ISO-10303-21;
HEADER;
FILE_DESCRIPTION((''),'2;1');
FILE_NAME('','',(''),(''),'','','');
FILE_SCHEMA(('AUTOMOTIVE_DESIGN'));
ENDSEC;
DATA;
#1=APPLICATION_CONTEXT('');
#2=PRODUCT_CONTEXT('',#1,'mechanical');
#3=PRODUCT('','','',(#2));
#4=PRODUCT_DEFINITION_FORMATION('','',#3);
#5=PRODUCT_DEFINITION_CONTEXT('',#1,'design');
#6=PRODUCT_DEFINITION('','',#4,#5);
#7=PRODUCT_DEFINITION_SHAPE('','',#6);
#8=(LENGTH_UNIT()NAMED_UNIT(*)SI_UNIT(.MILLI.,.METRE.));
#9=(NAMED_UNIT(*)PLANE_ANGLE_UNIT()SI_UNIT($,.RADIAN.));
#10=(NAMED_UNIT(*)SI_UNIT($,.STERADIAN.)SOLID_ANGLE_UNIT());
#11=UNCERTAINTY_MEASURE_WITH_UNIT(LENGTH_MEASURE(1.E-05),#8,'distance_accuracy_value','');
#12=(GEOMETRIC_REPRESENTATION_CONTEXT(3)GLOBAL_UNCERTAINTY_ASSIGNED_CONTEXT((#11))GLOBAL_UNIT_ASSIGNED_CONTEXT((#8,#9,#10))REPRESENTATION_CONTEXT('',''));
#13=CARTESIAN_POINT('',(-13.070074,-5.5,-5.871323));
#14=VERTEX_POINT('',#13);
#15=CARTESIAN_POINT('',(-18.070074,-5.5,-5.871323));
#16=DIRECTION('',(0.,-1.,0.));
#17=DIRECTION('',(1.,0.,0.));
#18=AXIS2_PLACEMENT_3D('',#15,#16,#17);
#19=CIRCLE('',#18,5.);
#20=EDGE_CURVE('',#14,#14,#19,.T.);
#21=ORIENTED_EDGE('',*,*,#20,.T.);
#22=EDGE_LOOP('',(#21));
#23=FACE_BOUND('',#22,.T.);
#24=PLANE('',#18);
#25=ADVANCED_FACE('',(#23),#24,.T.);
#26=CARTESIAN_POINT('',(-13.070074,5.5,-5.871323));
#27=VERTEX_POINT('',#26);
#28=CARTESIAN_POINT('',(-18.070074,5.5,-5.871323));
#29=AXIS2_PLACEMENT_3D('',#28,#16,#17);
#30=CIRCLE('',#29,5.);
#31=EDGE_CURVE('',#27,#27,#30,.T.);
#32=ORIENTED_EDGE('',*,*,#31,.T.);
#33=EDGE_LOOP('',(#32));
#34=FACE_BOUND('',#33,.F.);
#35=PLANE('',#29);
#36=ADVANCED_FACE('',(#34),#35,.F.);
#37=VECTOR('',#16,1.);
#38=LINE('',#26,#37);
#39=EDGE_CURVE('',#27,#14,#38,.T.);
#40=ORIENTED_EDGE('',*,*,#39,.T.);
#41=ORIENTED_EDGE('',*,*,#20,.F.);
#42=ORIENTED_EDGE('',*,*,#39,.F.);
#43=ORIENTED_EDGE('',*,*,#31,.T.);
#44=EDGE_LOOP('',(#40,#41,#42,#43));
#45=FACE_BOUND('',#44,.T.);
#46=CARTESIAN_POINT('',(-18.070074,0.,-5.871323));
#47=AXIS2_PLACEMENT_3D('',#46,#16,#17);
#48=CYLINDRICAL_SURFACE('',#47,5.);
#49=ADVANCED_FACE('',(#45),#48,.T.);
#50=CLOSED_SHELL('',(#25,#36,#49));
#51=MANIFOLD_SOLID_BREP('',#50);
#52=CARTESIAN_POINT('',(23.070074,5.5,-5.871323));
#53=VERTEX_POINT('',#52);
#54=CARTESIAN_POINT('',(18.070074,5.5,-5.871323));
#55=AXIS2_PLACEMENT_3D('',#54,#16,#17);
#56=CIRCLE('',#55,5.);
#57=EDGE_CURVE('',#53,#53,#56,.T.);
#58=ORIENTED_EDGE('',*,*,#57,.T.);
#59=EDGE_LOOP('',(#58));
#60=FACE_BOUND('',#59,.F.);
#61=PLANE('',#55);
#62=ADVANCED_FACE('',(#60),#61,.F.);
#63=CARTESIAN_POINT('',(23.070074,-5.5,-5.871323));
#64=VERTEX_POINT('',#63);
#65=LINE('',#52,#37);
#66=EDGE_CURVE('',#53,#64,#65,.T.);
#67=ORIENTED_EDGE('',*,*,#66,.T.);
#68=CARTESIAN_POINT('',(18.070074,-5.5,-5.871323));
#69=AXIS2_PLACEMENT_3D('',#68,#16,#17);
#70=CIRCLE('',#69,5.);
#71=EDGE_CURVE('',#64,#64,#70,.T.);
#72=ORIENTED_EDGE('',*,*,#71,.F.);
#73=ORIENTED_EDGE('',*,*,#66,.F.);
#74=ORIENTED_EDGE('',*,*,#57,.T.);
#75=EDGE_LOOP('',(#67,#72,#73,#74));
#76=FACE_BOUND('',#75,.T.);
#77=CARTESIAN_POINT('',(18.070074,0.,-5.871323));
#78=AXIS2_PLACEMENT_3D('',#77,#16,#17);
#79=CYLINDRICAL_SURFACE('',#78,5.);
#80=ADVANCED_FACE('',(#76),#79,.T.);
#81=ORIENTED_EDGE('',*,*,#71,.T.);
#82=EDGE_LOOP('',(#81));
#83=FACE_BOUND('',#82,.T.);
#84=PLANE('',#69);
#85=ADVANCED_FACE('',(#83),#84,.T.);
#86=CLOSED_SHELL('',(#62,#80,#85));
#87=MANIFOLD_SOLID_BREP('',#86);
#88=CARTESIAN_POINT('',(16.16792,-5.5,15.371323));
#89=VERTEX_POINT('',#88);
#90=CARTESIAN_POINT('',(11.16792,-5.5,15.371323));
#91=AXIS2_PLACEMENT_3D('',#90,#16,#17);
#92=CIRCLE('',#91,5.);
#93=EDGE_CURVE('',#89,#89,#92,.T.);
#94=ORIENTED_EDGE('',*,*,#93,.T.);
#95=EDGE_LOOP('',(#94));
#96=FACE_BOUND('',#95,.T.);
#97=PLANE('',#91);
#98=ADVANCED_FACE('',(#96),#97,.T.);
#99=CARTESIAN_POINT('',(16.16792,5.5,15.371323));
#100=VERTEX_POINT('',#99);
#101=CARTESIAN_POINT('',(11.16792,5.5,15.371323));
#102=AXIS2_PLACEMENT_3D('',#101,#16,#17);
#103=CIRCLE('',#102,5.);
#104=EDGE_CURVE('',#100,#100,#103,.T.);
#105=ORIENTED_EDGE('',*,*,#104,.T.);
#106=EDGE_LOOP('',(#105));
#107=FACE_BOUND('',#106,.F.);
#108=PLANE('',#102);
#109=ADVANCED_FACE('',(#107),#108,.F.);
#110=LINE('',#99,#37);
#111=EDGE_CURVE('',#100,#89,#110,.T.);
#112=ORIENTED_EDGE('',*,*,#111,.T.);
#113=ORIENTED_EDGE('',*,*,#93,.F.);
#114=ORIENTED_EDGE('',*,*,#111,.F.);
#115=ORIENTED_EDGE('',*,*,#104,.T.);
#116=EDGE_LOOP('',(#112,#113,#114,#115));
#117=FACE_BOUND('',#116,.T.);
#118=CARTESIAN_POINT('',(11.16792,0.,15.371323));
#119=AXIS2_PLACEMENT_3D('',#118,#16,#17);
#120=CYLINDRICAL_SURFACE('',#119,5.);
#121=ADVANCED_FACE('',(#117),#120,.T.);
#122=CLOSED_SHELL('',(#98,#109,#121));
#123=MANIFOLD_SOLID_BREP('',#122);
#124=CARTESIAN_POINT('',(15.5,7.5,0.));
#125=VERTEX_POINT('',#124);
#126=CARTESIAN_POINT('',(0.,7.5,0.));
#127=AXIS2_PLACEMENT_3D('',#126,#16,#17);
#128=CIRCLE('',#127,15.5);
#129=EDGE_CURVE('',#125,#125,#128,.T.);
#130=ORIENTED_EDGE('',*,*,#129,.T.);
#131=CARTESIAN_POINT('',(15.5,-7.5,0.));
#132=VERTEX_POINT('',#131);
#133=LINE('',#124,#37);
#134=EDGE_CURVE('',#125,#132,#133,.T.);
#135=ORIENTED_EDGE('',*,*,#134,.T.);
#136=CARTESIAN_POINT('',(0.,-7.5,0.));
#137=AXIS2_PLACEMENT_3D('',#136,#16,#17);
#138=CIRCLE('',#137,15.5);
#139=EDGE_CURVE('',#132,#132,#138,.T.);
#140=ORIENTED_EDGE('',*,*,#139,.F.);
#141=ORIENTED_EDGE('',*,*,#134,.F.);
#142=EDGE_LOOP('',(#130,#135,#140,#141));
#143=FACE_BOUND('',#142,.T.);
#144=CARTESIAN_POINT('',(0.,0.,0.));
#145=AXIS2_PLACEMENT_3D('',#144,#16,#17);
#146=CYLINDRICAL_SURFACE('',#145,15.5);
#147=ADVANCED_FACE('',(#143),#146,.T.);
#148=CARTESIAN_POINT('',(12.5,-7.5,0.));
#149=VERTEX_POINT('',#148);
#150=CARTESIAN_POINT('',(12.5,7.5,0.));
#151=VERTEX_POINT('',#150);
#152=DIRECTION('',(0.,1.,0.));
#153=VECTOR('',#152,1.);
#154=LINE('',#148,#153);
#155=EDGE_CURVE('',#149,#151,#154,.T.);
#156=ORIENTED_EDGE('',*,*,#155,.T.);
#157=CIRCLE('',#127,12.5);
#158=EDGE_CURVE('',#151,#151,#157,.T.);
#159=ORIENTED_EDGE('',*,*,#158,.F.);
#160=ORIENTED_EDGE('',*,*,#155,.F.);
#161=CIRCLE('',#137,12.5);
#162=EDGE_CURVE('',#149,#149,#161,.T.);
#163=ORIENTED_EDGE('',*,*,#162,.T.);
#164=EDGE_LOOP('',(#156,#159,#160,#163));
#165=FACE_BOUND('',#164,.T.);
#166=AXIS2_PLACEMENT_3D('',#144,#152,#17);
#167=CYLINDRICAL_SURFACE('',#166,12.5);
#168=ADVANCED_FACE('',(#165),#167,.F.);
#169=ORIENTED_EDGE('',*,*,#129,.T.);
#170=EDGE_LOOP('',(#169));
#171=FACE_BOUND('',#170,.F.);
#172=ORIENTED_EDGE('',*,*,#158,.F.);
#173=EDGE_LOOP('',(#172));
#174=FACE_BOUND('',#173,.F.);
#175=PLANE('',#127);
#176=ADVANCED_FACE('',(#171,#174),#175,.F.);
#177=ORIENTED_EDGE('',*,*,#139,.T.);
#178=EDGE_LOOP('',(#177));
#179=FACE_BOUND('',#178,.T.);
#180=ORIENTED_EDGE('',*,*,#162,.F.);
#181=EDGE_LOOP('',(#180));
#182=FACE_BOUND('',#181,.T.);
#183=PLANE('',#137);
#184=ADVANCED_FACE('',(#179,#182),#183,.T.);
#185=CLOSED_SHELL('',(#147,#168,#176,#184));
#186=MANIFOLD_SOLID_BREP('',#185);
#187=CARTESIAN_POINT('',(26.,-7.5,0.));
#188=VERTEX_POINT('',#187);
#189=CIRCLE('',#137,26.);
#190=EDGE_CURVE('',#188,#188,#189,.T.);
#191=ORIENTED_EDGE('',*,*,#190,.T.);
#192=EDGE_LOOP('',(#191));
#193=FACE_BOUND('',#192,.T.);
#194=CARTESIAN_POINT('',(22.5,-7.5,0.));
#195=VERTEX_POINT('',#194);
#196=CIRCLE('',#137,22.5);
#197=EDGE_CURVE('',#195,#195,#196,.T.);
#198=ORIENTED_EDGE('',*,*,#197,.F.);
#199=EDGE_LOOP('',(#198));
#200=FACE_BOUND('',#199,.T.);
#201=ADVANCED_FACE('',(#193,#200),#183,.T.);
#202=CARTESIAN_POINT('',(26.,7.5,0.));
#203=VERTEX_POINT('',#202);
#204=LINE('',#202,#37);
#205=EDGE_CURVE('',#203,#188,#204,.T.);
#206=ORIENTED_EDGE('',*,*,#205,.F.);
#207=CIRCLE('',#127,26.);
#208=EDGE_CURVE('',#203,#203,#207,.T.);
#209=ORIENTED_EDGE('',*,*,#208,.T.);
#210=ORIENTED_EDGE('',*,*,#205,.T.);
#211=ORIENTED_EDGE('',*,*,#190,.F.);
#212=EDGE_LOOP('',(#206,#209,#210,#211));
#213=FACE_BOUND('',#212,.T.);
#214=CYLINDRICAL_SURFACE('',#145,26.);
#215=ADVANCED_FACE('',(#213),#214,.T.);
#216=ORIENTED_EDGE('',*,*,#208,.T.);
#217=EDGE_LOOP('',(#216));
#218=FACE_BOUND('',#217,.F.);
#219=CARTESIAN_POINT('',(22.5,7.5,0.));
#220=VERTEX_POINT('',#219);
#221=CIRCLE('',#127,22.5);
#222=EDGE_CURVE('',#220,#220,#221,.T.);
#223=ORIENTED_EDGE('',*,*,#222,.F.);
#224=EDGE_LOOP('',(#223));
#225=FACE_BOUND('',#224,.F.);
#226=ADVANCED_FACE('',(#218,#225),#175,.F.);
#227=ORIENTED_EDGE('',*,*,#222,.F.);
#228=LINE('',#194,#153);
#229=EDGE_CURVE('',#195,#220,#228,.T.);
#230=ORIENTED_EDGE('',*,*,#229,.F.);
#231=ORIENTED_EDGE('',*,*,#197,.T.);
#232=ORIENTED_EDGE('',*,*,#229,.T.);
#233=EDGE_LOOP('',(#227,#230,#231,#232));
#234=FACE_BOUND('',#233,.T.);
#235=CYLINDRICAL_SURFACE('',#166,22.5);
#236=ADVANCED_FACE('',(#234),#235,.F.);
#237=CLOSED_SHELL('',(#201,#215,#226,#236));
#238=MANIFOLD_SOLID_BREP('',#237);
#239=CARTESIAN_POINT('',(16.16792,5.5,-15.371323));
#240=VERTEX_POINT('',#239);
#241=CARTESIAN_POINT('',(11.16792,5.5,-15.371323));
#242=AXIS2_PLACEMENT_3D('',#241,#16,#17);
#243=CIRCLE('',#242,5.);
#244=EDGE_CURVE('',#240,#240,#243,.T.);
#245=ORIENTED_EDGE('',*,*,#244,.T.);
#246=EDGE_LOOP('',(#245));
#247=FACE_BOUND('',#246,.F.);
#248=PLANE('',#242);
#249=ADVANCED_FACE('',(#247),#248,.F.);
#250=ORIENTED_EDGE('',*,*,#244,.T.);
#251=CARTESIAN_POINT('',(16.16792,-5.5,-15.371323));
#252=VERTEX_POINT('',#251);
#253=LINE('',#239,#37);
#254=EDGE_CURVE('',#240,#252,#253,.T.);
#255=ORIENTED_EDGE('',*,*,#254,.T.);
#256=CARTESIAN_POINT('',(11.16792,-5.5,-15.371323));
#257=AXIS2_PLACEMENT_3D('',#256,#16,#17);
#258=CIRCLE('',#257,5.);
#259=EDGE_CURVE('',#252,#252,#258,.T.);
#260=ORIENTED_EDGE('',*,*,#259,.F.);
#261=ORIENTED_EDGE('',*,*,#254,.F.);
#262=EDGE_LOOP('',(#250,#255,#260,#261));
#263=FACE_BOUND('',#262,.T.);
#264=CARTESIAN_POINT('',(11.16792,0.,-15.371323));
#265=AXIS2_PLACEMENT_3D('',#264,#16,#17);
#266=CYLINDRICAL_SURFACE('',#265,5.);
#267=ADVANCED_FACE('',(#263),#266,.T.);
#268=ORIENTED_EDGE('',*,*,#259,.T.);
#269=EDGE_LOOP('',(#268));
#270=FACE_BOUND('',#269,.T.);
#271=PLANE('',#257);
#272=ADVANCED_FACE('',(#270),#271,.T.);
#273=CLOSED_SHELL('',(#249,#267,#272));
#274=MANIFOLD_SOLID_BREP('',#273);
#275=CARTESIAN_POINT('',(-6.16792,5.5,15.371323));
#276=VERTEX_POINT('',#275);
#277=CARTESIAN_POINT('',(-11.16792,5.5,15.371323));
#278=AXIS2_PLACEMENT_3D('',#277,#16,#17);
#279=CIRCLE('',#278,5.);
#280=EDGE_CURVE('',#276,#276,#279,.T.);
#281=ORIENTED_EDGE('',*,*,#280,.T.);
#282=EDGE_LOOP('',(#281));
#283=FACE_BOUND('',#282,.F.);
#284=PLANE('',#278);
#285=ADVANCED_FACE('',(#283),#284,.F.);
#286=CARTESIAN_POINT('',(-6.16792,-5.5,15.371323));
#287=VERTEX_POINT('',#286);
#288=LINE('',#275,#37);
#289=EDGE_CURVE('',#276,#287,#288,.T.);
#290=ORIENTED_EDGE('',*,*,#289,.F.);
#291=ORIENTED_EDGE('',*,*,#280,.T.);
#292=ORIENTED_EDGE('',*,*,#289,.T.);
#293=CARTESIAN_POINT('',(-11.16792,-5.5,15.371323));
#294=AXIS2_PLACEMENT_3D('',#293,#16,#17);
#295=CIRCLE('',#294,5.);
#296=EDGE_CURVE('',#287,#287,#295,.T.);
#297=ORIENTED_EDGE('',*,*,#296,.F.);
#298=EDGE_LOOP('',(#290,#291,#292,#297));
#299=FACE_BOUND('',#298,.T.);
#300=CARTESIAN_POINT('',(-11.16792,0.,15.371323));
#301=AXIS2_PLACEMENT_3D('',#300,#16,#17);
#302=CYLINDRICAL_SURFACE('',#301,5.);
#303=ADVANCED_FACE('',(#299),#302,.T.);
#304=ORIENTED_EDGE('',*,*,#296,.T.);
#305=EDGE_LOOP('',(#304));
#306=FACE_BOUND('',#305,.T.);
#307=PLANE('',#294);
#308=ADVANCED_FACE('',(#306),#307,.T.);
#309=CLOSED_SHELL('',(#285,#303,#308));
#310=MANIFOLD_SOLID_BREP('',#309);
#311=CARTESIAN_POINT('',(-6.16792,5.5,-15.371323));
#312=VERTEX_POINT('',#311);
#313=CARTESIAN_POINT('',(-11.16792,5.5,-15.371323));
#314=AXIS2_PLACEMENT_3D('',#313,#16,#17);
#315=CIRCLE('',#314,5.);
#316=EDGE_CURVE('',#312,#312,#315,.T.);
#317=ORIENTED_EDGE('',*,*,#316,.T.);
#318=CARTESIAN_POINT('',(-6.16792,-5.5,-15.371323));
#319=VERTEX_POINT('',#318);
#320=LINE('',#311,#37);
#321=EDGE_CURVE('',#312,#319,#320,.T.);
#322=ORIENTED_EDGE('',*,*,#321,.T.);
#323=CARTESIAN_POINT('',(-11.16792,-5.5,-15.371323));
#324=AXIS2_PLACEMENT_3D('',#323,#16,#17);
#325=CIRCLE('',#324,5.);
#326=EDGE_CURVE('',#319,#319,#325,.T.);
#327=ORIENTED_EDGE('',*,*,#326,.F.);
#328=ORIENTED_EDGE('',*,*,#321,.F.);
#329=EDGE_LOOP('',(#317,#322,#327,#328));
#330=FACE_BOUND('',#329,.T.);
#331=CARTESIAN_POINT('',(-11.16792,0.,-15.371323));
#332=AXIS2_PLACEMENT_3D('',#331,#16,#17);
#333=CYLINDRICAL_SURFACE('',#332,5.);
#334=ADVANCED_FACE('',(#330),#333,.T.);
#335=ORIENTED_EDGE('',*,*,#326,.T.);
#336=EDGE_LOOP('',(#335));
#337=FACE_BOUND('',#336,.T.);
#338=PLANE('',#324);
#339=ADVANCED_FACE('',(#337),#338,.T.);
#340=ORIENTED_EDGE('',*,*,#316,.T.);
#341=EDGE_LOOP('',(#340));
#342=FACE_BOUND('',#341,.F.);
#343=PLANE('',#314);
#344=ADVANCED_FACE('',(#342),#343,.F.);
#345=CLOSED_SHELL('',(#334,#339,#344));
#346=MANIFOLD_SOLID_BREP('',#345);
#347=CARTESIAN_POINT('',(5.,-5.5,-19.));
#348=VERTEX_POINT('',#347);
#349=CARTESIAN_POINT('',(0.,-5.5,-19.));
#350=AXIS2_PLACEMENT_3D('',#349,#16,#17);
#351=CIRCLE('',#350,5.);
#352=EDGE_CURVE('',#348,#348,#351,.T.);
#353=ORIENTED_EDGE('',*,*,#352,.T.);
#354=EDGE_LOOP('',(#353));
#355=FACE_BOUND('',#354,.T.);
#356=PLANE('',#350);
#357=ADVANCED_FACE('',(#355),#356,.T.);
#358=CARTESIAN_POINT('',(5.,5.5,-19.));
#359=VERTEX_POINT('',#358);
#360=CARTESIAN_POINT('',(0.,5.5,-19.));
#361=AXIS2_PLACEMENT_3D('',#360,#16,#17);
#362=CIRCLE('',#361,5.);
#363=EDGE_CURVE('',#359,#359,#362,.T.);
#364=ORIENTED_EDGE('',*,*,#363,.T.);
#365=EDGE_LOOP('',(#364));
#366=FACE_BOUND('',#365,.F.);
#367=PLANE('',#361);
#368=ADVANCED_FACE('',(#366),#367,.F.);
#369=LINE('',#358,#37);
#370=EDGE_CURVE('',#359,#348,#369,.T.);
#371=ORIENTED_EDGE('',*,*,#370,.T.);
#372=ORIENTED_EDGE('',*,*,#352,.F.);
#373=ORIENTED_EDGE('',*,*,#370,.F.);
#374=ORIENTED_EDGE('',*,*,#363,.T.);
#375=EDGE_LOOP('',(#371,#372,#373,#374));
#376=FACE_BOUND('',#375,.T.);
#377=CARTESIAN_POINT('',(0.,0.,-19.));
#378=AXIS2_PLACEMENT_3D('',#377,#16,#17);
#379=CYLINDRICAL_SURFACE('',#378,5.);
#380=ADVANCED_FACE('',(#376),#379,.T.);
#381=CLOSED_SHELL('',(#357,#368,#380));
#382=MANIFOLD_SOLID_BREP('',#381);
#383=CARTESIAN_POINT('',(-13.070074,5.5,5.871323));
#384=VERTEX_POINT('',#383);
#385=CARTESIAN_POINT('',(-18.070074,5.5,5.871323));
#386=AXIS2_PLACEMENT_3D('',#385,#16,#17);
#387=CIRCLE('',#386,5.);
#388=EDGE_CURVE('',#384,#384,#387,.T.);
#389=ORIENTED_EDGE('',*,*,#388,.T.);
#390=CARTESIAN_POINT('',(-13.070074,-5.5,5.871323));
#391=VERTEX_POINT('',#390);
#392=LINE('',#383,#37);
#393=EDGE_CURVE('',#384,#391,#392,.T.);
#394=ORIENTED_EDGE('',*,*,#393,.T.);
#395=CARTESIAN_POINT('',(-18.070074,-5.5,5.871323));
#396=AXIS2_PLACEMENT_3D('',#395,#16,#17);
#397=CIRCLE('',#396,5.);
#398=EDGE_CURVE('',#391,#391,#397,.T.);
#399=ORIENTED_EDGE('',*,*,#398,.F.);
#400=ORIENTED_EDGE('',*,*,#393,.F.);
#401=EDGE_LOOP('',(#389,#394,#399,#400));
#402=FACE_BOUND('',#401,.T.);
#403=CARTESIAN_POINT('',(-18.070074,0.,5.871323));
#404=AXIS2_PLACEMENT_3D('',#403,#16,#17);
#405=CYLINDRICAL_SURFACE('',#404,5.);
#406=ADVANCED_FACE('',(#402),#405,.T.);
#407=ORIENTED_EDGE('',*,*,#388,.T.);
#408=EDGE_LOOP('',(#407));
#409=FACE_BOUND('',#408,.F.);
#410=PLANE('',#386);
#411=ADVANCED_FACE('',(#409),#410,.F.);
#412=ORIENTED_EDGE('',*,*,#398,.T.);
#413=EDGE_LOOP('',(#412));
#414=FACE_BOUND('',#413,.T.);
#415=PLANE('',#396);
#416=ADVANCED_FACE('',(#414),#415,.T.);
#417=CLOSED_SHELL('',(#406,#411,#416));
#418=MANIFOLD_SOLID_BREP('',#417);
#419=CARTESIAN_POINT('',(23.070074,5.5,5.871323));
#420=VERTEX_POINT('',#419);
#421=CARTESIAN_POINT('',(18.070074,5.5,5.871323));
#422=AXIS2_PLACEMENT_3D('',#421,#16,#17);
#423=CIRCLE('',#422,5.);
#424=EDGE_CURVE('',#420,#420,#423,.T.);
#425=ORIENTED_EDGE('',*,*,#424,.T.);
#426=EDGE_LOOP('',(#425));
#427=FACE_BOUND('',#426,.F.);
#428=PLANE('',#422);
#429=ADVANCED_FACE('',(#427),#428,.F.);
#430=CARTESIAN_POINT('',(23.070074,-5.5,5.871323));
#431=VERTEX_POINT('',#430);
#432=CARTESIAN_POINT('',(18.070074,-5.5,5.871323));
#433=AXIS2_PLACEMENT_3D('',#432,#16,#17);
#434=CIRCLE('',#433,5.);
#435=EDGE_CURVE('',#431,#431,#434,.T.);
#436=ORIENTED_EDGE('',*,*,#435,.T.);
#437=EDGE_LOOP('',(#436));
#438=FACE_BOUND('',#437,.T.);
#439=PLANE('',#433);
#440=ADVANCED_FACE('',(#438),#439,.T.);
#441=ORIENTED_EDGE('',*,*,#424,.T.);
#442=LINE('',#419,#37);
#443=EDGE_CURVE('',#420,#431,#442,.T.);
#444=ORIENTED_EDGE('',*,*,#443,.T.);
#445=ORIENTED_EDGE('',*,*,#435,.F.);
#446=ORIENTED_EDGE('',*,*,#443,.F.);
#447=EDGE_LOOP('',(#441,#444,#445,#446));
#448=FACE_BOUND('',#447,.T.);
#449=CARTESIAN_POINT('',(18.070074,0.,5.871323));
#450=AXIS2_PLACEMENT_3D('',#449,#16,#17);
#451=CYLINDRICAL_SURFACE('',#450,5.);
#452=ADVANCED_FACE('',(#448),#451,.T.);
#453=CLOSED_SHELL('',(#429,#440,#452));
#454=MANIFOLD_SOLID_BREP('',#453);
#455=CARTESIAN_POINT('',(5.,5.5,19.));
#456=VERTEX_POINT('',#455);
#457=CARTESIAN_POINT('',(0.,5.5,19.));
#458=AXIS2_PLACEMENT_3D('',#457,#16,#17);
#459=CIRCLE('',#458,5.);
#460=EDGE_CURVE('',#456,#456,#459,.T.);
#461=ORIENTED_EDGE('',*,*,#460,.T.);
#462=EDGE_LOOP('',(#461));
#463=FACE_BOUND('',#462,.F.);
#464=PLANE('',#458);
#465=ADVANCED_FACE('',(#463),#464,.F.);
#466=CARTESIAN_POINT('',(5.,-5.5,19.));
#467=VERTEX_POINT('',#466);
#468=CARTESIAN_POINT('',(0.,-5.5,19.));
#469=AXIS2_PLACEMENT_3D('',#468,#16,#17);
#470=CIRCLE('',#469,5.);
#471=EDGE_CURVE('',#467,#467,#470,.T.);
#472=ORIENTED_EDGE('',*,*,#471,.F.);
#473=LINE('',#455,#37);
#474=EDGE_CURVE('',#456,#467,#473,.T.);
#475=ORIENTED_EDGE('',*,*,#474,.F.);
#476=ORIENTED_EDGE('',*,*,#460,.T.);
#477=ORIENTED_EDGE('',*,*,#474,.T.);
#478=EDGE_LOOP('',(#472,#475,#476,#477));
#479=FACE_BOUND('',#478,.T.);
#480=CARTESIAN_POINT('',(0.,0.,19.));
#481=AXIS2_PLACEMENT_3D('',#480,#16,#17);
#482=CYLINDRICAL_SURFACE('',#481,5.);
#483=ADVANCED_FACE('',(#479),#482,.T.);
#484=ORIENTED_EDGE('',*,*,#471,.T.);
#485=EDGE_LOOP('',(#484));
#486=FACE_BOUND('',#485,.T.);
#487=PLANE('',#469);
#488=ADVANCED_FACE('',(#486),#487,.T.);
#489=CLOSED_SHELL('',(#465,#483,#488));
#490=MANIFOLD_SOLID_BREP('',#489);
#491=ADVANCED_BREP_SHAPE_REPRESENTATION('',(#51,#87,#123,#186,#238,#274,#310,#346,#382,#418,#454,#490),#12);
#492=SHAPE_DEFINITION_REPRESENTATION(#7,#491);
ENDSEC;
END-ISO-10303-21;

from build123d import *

# Parameters (mm, degrees)
F0_R     = 26
F0_R_2   = 22.5
F1_DEPTH = 7.5
F0_R_3   = 15.5
F0_R_4   = 12.5
F2_R     = 5
F3_DEPTH = 5.5


with BuildPart() as f1:
    # F0 (on Front) → F1 (new body, symmetric)
    with BuildSketch(Plane.XZ):
        Circle(F0_R)
        Circle(F0_R_2, mode=Mode.SUBTRACT)
    extrude(amount=F1_DEPTH, both=True)


with BuildPart() as f1b:
    # F0 (on Front) → F1, piece 2 (new body, symmetric)
    with BuildSketch(Plane.XZ):
        Circle(F0_R_3)
        Circle(F0_R_4, mode=Mode.SUBTRACT)
    extrude(amount=F1_DEPTH, both=True)


with BuildPart() as f3:
    # F2 (on Front) → F3 (new body, symmetric)
    with BuildSketch(Plane.XZ):
        with Locations((0, 19)):
            Circle(F2_R)
    extrude(amount=F3_DEPTH, both=True)


with BuildPart() as f3b:
    # F2 (on Front) → F3, piece 2 (new body, symmetric)
    with BuildSketch(Plane.XZ):
        with Locations((-11.1679197936, 15.3713228931)):
            Circle(F2_R)
    extrude(amount=F3_DEPTH, both=True)


with BuildPart() as f3c:
    # F2 (on Front) → F3, piece 3 (new body, symmetric)
    with BuildSketch(Plane.XZ):
        with Locations((-18.0700738096, 5.8713228931)):
            Circle(F2_R)
    extrude(amount=F3_DEPTH, both=True)


with BuildPart() as f3d:
    # F2 (on Front) → F3, piece 4 (new body, symmetric)
    with BuildSketch(Plane.XZ):
        with Locations((-18.0700738096, -5.8713228931)):
            Circle(F2_R)
    extrude(amount=F3_DEPTH, both=True)


with BuildPart() as f3e:
    # F2 (on Front) → F3, piece 5 (new body, symmetric)
    with BuildSketch(Plane.XZ):
        with Locations((-11.1679197936, -15.3713228931)):
            Circle(F2_R)
    extrude(amount=F3_DEPTH, both=True)


with BuildPart() as f3f:
    # F2 (on Front) → F3, piece 6 (new body, symmetric)
    with BuildSketch(Plane.XZ):
        with Locations((0, -19)):
            Circle(F2_R)
    extrude(amount=F3_DEPTH, both=True)


with BuildPart() as f3g:
    # F2 (on Front) → F3, piece 7 (new body, symmetric)
    with BuildSketch(Plane.XZ):
        with Locations((11.1679197936, -15.3713228931)):
            Circle(F2_R)
    extrude(amount=F3_DEPTH, both=True)


with BuildPart() as f3h:
    # F2 (on Front) → F3, piece 8 (new body, symmetric)
    with BuildSketch(Plane.XZ):
        with Locations((18.0700738096, -5.8713228931)):
            Circle(F2_R)
    extrude(amount=F3_DEPTH, both=True)


with BuildPart() as f3i:
    # F2 (on Front) → F3, piece 9 (new body, symmetric)
    with BuildSketch(Plane.XZ):
        with Locations((18.0700738096, 5.8713228931)):
            Circle(F2_R)
    extrude(amount=F3_DEPTH, both=True)


with BuildPart() as f3j:
    # F2 (on Front) → F3, piece 10 (new body, symmetric)
    with BuildSketch(Plane.XZ):
        with Locations((11.1679197936, 15.3713228931)):
            Circle(F2_R)
    extrude(amount=F3_DEPTH, both=True)


solid = Compound([f1.part, f1b.part, f3.part, f3b.part, f3c.part, f3d.part, f3e.part, f3f.part, f3g.part, f3h.part, f3i.part, f3j.part])
